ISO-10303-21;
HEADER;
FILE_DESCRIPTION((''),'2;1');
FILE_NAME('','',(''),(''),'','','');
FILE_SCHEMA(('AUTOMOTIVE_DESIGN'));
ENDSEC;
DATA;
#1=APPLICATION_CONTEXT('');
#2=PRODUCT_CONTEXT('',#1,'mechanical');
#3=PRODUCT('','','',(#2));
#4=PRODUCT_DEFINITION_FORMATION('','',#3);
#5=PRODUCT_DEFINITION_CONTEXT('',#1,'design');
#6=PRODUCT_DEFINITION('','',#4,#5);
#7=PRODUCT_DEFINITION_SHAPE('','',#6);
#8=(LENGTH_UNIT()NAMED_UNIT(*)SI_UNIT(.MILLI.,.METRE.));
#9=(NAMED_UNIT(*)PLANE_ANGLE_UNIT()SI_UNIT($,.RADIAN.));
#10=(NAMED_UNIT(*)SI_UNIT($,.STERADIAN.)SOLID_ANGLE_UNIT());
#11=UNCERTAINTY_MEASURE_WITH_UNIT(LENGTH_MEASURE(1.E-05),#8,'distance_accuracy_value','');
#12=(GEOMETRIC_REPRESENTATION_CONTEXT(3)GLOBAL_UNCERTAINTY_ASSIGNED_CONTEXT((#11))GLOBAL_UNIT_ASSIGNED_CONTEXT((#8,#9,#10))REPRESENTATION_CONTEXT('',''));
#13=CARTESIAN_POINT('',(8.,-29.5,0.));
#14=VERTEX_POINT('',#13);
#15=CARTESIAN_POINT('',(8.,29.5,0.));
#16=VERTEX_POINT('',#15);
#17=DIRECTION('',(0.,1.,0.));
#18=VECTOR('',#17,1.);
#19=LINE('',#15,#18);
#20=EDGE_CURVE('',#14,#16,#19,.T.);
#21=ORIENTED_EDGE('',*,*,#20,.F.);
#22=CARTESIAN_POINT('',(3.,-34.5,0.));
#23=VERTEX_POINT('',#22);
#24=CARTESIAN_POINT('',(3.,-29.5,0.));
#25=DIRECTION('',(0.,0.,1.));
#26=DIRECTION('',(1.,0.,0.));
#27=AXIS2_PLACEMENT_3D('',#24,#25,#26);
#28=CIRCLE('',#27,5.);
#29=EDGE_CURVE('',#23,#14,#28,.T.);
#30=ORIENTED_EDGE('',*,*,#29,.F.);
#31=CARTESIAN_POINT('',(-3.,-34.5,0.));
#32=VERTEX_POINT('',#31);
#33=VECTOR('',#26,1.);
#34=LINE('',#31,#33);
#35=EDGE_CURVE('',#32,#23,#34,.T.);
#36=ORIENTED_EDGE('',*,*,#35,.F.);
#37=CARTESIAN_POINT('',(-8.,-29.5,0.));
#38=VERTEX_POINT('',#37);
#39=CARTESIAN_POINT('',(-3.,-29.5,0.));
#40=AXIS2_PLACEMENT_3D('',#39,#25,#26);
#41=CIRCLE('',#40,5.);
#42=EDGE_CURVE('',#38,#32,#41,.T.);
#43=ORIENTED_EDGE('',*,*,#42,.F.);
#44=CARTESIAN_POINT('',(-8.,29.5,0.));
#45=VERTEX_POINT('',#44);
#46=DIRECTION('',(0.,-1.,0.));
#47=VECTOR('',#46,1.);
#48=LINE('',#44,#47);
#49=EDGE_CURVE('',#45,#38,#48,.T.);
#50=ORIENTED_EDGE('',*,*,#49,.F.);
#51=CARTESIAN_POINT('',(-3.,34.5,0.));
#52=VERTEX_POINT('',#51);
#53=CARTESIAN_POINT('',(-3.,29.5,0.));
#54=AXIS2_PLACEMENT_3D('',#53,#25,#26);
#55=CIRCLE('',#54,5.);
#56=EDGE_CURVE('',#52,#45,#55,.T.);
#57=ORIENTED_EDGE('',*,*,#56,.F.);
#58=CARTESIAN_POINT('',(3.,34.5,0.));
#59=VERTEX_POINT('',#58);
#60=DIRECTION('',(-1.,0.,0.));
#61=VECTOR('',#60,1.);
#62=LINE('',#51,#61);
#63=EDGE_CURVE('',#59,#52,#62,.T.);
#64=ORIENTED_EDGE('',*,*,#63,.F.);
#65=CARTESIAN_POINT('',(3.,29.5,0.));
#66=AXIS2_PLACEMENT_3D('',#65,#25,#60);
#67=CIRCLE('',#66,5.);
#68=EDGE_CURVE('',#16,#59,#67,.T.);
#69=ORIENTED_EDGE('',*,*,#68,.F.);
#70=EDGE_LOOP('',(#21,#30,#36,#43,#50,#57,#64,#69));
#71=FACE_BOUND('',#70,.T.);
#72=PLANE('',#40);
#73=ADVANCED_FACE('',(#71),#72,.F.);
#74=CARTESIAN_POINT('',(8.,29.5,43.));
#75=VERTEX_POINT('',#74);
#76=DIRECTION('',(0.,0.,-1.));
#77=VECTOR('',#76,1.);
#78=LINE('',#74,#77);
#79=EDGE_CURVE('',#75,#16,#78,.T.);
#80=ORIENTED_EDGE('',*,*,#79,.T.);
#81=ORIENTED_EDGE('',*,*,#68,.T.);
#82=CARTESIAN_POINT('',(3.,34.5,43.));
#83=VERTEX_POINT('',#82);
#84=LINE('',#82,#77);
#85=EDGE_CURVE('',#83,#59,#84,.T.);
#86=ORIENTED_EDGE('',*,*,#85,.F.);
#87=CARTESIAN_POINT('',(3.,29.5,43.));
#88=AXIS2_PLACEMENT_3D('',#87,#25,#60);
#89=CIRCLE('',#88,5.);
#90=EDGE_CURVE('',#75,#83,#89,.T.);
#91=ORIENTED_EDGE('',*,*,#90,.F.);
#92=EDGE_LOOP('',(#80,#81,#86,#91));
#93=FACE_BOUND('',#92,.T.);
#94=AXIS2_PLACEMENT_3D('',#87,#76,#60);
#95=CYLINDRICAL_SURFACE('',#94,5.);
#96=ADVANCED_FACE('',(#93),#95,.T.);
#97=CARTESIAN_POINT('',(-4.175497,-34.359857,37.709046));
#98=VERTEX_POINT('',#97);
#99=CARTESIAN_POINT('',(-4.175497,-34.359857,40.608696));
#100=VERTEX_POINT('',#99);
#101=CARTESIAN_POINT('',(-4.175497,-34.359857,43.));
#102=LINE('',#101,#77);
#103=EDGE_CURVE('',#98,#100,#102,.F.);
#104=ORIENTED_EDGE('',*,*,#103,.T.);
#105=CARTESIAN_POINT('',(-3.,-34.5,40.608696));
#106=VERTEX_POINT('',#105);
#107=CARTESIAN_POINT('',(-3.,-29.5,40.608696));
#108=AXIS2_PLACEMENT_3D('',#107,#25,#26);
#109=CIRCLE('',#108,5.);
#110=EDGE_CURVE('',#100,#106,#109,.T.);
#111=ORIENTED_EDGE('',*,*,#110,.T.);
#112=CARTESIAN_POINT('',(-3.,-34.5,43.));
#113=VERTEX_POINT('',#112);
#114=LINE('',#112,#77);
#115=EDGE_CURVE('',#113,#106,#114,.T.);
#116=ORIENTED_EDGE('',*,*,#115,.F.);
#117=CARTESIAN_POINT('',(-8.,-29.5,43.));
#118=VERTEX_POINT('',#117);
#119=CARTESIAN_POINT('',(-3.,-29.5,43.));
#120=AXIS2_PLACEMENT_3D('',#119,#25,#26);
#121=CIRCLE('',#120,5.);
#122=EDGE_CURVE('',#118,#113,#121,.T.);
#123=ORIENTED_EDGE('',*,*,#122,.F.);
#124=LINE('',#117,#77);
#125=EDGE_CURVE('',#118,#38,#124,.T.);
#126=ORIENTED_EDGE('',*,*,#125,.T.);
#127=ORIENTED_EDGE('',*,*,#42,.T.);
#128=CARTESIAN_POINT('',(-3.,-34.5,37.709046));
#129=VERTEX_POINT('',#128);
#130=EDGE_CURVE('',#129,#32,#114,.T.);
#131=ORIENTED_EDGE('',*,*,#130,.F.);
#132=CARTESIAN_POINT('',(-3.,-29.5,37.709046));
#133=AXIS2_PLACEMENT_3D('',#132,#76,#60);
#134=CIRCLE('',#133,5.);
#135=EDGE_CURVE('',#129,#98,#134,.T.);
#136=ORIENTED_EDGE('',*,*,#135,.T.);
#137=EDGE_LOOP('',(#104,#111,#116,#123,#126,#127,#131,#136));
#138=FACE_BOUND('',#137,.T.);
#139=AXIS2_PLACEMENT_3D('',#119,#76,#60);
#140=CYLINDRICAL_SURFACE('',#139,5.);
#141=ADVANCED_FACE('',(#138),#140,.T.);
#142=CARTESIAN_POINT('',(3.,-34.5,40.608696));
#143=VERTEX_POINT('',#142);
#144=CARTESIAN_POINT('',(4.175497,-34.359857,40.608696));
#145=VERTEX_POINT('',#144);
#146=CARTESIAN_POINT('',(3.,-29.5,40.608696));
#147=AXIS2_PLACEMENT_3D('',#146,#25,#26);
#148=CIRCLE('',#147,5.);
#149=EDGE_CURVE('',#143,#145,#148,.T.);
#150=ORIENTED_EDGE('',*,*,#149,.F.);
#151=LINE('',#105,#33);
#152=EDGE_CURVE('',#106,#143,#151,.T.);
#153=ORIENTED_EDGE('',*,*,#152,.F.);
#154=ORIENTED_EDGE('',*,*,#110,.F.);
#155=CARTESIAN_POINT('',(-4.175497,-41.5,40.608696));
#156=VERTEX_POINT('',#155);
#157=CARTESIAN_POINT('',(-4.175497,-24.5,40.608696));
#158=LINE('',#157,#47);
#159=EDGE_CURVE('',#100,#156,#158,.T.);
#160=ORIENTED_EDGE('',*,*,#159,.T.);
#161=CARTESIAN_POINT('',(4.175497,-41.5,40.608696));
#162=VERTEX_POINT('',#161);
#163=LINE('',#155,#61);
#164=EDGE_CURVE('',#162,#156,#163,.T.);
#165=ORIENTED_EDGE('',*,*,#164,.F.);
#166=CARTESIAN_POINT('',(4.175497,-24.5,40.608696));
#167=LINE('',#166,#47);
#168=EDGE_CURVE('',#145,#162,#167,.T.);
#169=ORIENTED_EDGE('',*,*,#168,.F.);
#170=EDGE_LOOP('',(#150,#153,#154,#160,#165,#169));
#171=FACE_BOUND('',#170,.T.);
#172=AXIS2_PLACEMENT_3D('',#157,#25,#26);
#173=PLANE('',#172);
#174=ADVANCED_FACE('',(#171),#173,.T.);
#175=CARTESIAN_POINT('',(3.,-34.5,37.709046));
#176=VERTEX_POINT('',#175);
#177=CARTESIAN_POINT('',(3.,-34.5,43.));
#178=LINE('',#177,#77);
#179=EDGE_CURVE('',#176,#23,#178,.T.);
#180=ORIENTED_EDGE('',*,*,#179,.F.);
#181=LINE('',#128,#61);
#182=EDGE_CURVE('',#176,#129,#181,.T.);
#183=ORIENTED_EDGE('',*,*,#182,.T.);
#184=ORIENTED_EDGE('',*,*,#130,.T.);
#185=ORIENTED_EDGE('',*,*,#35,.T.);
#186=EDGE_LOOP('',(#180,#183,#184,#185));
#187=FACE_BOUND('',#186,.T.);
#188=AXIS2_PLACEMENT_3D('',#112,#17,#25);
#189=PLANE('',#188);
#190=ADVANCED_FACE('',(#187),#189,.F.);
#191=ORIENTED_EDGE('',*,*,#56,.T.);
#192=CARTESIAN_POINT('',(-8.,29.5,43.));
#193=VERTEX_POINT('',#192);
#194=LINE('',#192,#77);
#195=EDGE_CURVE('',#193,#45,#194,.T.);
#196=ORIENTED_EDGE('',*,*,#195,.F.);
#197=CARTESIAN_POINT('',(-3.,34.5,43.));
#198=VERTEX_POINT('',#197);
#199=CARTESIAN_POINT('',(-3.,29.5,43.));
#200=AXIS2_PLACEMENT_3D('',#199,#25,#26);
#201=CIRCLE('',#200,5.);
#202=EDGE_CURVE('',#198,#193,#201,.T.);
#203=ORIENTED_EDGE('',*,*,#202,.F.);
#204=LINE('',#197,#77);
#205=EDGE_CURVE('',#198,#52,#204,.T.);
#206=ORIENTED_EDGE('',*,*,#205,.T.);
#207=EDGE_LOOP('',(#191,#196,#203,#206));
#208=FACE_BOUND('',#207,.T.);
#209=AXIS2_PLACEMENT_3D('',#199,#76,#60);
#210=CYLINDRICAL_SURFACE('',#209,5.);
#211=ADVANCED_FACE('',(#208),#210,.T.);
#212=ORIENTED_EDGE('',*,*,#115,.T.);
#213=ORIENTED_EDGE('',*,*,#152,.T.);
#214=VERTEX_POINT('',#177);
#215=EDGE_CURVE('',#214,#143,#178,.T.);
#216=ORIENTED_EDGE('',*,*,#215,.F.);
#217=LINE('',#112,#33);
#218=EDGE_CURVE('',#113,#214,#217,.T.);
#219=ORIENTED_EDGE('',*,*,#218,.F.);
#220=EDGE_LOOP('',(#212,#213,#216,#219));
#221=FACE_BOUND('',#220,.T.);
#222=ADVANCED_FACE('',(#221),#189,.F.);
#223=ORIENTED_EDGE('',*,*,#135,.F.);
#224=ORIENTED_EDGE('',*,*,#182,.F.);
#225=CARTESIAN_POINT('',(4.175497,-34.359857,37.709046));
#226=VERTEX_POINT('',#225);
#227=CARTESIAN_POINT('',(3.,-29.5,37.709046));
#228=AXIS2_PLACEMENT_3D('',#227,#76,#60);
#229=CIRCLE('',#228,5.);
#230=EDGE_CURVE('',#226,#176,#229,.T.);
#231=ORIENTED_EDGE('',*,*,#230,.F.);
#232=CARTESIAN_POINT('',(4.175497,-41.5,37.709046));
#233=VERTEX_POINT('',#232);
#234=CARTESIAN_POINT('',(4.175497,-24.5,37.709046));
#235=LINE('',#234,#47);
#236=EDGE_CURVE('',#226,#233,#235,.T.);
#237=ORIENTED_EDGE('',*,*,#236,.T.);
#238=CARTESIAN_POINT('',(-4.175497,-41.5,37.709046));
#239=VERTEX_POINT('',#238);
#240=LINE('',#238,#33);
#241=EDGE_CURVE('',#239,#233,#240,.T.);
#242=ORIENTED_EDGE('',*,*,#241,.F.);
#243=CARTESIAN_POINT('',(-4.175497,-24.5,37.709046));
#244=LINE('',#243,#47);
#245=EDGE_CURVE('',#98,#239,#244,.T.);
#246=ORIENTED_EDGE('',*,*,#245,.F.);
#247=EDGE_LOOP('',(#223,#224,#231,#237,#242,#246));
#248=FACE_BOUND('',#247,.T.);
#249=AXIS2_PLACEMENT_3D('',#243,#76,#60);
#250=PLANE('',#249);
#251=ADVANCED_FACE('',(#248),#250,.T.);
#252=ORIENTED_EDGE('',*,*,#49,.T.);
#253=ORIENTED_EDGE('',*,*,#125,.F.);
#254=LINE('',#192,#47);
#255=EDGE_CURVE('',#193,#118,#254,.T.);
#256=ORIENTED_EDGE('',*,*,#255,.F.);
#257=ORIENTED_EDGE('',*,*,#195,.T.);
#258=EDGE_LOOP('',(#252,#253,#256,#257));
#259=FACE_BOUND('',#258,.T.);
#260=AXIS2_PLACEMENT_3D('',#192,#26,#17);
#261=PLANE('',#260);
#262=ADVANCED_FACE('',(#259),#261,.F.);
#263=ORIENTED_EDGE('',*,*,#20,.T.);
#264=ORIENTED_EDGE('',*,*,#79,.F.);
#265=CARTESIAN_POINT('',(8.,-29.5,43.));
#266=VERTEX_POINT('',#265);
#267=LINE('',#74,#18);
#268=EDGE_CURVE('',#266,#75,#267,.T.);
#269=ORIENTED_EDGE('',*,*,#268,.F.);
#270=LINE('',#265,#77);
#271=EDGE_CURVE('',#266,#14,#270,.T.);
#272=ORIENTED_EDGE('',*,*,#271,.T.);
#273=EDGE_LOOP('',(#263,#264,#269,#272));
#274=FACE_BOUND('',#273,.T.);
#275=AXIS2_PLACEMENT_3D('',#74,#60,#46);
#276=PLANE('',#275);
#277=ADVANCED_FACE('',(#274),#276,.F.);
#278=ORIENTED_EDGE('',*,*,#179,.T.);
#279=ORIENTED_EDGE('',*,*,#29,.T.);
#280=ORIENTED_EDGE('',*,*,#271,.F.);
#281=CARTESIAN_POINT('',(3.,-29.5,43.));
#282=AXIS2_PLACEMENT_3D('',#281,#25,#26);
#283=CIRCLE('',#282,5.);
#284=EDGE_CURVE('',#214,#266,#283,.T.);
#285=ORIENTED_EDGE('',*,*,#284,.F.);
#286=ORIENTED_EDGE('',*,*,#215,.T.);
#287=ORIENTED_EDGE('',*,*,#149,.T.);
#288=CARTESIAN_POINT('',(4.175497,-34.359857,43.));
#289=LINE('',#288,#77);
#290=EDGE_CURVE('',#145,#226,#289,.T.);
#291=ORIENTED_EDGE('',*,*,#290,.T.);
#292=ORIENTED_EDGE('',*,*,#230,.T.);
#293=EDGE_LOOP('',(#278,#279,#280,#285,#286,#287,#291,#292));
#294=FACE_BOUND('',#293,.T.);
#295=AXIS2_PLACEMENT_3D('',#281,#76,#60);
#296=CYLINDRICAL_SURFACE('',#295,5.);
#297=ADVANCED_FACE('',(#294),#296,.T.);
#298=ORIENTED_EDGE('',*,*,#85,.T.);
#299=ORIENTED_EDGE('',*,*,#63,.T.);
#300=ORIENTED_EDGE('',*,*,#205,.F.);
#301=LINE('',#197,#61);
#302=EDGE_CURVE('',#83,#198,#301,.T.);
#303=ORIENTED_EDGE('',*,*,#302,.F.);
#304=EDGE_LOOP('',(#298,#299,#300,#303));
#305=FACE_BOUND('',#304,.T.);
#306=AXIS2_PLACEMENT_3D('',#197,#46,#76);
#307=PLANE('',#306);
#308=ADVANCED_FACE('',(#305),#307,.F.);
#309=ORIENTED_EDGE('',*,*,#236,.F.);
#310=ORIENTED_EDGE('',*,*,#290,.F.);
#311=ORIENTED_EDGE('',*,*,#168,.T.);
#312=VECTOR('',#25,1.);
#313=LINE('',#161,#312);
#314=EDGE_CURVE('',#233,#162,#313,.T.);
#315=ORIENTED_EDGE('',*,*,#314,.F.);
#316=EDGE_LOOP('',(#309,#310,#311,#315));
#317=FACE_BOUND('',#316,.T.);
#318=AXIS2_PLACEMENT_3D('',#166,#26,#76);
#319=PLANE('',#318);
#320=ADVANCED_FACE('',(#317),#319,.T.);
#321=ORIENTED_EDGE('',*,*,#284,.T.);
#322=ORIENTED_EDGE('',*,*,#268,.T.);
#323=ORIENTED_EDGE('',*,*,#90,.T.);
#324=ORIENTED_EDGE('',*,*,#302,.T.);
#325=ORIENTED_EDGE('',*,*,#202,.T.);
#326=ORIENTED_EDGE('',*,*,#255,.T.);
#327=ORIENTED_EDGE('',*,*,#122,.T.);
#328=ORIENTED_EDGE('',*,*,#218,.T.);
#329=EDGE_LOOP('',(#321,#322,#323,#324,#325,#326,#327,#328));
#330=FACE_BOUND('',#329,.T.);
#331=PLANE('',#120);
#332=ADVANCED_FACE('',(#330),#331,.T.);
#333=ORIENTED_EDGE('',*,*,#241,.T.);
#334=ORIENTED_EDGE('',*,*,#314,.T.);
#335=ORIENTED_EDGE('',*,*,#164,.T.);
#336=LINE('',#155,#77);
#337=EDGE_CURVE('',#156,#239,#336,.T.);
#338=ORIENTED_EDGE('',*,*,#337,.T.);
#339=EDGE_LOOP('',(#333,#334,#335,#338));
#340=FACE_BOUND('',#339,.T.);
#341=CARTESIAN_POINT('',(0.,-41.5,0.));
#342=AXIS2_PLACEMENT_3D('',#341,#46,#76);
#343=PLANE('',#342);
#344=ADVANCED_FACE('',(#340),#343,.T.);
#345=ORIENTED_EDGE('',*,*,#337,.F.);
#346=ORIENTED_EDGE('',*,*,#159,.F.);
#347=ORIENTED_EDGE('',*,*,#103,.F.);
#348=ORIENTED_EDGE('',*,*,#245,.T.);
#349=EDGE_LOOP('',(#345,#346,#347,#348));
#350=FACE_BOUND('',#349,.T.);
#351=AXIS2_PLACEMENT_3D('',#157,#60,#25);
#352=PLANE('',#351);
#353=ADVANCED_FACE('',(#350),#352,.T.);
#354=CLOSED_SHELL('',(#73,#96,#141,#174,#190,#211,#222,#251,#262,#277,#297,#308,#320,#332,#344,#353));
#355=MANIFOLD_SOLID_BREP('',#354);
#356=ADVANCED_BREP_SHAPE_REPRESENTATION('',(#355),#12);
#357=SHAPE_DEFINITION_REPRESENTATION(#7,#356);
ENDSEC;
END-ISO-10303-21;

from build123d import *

# Parameters (mm, degrees)
RESSALTO_EXTRUS_O4_DEPTH      = 43
RESSALTO_EXTRUS_O5_DEPTH      = 7
RESSALTO_EXTRUS_O5_DEPTH_BACK = 10
ESBO_O5_W                     = 8.350993052
ESBO_O5_H                     = 2.899650365


with BuildPart() as part:
    # Esboço4 → Ressalto-extrusão4 (new body)
    with BuildSketch(Plane.XY):
        with BuildLine():
            Line((-3, 34.5), (3, 34.5))
            ThreePointArc((3, 34.5), (6.535533906, 33.035533906), (8, 29.5))
            Line((8, 29.5), (8, -29.5))
            ThreePointArc((8, -29.5), (6.535533906, -33.035533906), (3, -34.5))
            Line((3, -34.5), (-3, -34.5))
            ThreePointArc((-3, -34.5), (-6.535533906, -33.035533906), (-8, -29.5))
            Line((-8, -29.5), (-8, 29.5))
            ThreePointArc((-8, 29.5), (-6.535533906, 33.035533906), (-3, 34.5))
        make_face()
    extrude(amount=RESSALTO_EXTRUS_O4_DEPTH)

    # Esboço5 → Ressalto-extrusão5 (add, two sides: drawn at the far end of the back side and taken through both)
    with BuildSketch(Plane.XZ.offset(34.5).offset(-RESSALTO_EXTRUS_O5_DEPTH_BACK)):
        with Locations((0, 39.158870724)):
            Rectangle(ESBO_O5_W, ESBO_O5_H)
    extrude(amount=RESSALTO_EXTRUS_O5_DEPTH + RESSALTO_EXTRUS_O5_DEPTH_BACK)


solid = part.part
